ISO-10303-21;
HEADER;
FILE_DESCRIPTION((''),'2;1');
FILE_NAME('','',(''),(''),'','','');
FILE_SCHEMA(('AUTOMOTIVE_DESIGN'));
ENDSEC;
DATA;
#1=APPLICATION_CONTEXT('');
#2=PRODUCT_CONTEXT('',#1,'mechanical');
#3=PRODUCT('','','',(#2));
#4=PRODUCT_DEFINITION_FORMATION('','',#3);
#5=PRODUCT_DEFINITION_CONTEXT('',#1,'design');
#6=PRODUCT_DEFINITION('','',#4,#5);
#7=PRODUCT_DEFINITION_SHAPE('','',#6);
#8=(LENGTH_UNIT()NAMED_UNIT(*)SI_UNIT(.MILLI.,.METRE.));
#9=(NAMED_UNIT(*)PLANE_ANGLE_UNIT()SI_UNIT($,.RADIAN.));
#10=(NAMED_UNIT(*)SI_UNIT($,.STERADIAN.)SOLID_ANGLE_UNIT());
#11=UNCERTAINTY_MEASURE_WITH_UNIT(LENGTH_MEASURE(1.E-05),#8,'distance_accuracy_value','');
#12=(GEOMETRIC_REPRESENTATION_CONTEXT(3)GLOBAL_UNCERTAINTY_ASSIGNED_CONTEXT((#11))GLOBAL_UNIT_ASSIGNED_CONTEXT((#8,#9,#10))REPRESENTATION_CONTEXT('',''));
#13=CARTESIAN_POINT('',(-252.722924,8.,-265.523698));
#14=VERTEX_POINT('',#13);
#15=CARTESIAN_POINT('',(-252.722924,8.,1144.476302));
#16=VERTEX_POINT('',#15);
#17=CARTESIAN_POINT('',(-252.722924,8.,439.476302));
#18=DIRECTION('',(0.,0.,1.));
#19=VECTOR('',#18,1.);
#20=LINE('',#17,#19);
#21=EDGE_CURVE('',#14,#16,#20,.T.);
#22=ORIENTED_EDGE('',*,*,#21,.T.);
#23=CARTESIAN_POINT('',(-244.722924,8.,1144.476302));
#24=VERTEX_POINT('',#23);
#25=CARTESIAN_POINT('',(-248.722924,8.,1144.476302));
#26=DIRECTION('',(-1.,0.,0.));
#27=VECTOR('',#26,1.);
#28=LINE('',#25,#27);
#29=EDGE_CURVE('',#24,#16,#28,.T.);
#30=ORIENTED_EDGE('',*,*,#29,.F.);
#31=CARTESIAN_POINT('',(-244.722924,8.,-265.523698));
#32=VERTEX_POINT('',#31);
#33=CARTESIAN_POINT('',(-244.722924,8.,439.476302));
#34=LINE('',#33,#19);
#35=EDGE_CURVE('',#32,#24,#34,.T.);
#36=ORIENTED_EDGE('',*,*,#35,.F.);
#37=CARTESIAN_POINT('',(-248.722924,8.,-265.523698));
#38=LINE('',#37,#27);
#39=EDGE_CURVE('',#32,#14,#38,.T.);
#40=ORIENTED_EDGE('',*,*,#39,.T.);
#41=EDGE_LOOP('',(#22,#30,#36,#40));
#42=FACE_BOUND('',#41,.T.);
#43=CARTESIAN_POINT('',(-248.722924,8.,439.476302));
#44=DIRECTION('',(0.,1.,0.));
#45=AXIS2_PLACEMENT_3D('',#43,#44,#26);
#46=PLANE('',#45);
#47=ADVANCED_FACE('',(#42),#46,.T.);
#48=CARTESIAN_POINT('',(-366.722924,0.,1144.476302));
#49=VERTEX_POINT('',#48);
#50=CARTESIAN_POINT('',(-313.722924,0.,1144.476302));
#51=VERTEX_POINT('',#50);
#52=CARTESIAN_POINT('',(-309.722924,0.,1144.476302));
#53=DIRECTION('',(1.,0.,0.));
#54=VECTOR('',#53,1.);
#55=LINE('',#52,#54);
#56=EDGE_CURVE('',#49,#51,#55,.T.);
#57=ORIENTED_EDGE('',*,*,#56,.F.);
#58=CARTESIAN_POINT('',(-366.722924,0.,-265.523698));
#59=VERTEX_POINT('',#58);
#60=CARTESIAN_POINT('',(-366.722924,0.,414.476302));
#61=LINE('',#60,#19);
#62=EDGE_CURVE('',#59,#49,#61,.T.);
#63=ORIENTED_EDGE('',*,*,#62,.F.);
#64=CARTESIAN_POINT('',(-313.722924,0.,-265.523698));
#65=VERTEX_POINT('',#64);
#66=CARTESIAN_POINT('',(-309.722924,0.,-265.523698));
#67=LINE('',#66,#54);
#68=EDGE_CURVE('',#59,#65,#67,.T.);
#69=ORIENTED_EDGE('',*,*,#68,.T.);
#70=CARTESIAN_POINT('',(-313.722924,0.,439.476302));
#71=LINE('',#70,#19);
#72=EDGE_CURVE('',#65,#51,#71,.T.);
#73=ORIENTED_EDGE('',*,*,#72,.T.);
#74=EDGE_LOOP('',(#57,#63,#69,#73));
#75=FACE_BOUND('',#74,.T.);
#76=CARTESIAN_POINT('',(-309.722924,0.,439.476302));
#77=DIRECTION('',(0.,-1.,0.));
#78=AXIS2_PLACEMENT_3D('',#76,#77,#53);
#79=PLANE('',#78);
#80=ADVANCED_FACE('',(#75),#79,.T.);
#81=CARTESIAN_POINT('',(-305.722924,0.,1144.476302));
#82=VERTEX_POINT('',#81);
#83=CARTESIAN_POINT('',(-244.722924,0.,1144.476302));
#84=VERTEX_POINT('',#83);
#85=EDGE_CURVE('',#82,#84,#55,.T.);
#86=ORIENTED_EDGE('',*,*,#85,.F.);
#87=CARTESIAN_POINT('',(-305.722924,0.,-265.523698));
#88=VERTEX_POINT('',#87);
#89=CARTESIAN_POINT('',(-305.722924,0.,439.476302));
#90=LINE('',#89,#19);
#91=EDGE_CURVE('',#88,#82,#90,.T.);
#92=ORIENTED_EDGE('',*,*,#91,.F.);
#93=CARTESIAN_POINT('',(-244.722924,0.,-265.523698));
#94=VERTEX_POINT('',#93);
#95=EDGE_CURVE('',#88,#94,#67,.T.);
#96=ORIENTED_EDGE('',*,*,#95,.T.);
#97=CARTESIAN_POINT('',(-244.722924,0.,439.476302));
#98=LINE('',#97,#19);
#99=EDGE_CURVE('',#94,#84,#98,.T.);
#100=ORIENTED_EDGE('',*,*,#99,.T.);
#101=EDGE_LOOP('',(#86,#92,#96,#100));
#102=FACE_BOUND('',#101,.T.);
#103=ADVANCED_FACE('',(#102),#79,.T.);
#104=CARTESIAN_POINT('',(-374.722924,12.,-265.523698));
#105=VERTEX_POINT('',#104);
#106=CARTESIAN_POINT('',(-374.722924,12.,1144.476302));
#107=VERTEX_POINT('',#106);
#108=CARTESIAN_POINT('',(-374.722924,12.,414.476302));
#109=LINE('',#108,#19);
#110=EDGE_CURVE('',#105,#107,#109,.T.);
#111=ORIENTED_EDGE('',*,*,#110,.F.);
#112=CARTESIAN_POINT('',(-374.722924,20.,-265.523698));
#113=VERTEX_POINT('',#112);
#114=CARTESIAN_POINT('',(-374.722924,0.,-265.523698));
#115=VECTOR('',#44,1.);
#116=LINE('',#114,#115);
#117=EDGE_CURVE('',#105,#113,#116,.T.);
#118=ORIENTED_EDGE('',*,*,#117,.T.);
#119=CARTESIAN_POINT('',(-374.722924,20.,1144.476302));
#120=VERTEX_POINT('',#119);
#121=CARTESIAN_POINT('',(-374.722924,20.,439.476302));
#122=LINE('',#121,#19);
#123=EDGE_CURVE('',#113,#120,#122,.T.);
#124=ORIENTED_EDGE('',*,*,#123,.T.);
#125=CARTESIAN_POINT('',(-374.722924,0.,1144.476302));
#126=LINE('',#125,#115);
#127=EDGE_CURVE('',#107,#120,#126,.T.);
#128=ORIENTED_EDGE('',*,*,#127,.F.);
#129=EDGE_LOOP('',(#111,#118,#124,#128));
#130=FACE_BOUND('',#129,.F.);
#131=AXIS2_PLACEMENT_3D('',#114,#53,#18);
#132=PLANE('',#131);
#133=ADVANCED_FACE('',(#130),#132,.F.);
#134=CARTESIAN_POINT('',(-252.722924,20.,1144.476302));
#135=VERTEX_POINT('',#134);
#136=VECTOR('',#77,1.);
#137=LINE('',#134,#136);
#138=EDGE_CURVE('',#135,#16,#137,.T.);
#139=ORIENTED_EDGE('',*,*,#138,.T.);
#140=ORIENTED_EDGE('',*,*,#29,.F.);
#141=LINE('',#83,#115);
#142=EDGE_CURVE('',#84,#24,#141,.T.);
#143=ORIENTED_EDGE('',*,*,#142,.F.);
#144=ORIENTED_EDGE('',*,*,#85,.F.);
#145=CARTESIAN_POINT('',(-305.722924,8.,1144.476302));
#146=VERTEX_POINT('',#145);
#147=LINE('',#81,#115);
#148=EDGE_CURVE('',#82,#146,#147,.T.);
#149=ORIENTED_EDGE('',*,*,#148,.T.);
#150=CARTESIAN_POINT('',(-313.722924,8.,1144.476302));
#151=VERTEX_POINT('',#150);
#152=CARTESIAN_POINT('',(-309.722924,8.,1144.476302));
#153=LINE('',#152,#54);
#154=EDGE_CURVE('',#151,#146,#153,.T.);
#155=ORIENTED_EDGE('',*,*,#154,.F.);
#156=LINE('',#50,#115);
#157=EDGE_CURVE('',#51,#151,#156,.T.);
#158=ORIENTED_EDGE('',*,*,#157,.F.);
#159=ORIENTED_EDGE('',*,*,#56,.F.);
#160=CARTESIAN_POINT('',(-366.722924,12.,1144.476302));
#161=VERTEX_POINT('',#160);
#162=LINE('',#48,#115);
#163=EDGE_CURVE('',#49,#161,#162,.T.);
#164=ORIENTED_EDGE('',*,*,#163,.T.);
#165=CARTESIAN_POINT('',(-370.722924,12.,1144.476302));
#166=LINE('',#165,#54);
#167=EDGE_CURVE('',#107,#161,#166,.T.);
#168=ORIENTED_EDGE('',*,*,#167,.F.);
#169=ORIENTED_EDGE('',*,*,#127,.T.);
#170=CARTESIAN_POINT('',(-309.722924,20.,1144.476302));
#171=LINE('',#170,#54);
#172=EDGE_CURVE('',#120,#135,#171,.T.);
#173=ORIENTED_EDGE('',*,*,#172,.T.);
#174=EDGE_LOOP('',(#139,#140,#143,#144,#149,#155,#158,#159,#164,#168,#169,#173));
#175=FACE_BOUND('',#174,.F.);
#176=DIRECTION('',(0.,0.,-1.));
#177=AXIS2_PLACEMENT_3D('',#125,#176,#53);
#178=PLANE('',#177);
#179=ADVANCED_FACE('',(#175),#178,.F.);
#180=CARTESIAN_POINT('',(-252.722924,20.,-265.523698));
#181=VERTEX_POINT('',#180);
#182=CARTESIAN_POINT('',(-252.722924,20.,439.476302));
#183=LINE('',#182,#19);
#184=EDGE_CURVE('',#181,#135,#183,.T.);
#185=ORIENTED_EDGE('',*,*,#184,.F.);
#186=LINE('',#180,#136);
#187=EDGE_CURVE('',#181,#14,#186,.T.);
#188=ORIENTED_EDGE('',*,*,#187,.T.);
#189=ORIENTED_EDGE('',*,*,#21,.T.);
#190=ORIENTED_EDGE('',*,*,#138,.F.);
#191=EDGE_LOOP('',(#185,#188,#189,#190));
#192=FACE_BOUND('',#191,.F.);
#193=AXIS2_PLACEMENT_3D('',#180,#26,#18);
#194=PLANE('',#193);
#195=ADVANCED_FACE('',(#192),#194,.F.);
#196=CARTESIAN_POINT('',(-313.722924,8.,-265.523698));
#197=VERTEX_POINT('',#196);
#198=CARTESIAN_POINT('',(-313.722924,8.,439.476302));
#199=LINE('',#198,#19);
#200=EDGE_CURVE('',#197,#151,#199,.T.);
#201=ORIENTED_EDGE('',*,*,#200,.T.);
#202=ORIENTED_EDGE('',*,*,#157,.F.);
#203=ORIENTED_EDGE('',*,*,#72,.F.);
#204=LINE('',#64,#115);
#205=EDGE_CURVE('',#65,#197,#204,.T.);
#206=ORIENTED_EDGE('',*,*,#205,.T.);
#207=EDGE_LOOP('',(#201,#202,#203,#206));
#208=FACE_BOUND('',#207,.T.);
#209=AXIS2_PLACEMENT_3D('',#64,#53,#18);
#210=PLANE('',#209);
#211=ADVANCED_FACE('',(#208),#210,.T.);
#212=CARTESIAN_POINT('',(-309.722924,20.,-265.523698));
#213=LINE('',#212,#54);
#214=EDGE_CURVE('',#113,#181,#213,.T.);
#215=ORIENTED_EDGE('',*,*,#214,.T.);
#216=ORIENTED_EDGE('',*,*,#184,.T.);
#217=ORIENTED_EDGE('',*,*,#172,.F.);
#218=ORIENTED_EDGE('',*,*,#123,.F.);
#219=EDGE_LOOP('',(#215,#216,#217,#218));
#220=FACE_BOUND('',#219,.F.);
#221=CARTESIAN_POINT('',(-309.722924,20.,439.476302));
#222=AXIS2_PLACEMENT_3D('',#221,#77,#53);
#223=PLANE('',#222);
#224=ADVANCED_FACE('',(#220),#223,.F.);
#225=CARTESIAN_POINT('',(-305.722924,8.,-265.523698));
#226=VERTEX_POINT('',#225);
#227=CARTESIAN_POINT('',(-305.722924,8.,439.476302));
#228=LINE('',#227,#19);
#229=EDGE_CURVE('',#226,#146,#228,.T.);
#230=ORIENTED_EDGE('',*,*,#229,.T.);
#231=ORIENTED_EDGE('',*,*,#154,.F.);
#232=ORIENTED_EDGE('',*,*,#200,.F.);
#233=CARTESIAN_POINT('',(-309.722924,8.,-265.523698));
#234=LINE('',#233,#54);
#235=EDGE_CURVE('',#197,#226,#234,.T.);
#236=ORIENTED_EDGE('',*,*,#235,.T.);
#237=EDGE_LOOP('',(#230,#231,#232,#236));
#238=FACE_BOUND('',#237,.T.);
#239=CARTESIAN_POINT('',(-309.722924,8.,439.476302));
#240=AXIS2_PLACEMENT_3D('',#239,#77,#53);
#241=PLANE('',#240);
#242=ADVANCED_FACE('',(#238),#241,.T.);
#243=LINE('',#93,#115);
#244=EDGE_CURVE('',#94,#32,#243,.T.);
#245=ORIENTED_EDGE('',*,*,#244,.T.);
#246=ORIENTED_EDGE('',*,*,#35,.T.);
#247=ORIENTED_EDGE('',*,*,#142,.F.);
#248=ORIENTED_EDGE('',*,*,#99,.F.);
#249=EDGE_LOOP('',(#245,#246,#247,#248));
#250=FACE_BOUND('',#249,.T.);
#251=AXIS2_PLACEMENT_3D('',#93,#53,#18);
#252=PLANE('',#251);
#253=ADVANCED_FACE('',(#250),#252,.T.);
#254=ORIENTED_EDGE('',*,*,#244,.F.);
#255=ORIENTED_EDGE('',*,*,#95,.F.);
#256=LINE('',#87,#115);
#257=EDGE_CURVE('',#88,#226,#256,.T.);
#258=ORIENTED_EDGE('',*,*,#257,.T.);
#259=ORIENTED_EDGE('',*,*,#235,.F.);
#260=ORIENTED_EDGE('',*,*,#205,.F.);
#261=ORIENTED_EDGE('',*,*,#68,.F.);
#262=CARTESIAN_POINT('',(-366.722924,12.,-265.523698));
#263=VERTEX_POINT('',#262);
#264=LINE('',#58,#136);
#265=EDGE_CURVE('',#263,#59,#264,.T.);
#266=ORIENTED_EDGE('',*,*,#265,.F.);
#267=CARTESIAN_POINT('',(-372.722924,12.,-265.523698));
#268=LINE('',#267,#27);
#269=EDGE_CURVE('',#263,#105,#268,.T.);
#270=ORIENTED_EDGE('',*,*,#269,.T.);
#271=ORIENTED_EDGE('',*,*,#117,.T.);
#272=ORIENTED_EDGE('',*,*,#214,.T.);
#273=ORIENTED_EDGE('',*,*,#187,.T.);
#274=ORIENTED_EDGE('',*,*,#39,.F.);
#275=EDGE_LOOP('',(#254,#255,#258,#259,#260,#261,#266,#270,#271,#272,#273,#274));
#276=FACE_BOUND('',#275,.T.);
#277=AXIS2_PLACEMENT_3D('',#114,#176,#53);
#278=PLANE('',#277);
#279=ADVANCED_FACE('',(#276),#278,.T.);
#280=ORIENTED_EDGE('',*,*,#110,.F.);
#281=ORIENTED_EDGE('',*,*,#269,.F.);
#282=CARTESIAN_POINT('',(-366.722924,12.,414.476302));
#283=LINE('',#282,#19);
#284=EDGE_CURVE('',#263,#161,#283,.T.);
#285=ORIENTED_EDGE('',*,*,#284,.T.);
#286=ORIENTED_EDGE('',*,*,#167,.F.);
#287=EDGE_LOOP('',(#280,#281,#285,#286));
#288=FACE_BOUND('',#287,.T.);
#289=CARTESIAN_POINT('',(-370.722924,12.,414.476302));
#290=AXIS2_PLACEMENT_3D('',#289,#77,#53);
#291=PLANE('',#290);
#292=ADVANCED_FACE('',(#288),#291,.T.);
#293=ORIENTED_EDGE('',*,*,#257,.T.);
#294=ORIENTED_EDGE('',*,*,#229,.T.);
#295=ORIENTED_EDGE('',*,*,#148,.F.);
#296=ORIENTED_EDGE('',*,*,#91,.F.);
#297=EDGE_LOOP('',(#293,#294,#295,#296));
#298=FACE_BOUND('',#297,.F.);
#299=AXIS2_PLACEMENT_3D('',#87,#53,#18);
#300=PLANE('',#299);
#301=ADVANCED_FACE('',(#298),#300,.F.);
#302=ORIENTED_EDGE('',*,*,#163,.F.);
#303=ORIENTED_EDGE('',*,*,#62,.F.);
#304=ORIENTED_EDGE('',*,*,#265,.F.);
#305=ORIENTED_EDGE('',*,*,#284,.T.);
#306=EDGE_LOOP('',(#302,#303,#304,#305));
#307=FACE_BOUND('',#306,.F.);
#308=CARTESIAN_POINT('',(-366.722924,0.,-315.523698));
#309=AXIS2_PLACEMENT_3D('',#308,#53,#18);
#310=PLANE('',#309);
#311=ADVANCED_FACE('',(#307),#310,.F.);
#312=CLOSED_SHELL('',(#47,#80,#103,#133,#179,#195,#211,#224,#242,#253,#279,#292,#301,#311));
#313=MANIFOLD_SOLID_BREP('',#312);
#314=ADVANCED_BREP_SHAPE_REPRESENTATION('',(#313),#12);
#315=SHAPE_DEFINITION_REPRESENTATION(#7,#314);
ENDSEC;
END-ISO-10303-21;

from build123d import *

# Parameters (mm, degrees)
F0_W     = 130
F0_H     = 1410
F1_DEPTH = 20
F2_W     = 8
F2_H     = 1410
F3_DEPTH = 8
F4_W     = 8
F4_H     = 1460
F5_DEPTH = 12
F6_W     = 8
F6_H     = 1410
F7_DEPTH = 12


with BuildPart() as f1:
    # F0 (on Front) → F1 (new body)
    with BuildSketch(Plane.XZ):
        with Locations((-309.722924, 439.476302)):
            Rectangle(F0_W, F0_H)
    extrude(amount=-F1_DEPTH)

    # F2 (on face) → F3 (cut)
    with BuildSketch(Plane.XZ):
        with Locations((-309.722924, 439.476302)):
            Rectangle(F2_W, F2_H)
    extrude(amount=-F3_DEPTH, mode=Mode.SUBTRACT)

    # F4 (on face) → F5 (cut)
    with BuildSketch(Plane.XZ):
        with Locations((-370.722924, 414.476302)):
            Rectangle(F4_W, F4_H)
    extrude(amount=-F5_DEPTH, mode=Mode.SUBTRACT)

    # F6 (on face) → F7 (cut)
    with BuildSketch(Plane(origin=(0, 20, 0), x_dir=(-1, 0, 0), z_dir=(0, 1, 0))):
        with Locations((248.722924, 439.476302)):
            Rectangle(F6_W, F6_H)
    extrude(amount=-F7_DEPTH, mode=Mode.SUBTRACT)


solid = f1.part
